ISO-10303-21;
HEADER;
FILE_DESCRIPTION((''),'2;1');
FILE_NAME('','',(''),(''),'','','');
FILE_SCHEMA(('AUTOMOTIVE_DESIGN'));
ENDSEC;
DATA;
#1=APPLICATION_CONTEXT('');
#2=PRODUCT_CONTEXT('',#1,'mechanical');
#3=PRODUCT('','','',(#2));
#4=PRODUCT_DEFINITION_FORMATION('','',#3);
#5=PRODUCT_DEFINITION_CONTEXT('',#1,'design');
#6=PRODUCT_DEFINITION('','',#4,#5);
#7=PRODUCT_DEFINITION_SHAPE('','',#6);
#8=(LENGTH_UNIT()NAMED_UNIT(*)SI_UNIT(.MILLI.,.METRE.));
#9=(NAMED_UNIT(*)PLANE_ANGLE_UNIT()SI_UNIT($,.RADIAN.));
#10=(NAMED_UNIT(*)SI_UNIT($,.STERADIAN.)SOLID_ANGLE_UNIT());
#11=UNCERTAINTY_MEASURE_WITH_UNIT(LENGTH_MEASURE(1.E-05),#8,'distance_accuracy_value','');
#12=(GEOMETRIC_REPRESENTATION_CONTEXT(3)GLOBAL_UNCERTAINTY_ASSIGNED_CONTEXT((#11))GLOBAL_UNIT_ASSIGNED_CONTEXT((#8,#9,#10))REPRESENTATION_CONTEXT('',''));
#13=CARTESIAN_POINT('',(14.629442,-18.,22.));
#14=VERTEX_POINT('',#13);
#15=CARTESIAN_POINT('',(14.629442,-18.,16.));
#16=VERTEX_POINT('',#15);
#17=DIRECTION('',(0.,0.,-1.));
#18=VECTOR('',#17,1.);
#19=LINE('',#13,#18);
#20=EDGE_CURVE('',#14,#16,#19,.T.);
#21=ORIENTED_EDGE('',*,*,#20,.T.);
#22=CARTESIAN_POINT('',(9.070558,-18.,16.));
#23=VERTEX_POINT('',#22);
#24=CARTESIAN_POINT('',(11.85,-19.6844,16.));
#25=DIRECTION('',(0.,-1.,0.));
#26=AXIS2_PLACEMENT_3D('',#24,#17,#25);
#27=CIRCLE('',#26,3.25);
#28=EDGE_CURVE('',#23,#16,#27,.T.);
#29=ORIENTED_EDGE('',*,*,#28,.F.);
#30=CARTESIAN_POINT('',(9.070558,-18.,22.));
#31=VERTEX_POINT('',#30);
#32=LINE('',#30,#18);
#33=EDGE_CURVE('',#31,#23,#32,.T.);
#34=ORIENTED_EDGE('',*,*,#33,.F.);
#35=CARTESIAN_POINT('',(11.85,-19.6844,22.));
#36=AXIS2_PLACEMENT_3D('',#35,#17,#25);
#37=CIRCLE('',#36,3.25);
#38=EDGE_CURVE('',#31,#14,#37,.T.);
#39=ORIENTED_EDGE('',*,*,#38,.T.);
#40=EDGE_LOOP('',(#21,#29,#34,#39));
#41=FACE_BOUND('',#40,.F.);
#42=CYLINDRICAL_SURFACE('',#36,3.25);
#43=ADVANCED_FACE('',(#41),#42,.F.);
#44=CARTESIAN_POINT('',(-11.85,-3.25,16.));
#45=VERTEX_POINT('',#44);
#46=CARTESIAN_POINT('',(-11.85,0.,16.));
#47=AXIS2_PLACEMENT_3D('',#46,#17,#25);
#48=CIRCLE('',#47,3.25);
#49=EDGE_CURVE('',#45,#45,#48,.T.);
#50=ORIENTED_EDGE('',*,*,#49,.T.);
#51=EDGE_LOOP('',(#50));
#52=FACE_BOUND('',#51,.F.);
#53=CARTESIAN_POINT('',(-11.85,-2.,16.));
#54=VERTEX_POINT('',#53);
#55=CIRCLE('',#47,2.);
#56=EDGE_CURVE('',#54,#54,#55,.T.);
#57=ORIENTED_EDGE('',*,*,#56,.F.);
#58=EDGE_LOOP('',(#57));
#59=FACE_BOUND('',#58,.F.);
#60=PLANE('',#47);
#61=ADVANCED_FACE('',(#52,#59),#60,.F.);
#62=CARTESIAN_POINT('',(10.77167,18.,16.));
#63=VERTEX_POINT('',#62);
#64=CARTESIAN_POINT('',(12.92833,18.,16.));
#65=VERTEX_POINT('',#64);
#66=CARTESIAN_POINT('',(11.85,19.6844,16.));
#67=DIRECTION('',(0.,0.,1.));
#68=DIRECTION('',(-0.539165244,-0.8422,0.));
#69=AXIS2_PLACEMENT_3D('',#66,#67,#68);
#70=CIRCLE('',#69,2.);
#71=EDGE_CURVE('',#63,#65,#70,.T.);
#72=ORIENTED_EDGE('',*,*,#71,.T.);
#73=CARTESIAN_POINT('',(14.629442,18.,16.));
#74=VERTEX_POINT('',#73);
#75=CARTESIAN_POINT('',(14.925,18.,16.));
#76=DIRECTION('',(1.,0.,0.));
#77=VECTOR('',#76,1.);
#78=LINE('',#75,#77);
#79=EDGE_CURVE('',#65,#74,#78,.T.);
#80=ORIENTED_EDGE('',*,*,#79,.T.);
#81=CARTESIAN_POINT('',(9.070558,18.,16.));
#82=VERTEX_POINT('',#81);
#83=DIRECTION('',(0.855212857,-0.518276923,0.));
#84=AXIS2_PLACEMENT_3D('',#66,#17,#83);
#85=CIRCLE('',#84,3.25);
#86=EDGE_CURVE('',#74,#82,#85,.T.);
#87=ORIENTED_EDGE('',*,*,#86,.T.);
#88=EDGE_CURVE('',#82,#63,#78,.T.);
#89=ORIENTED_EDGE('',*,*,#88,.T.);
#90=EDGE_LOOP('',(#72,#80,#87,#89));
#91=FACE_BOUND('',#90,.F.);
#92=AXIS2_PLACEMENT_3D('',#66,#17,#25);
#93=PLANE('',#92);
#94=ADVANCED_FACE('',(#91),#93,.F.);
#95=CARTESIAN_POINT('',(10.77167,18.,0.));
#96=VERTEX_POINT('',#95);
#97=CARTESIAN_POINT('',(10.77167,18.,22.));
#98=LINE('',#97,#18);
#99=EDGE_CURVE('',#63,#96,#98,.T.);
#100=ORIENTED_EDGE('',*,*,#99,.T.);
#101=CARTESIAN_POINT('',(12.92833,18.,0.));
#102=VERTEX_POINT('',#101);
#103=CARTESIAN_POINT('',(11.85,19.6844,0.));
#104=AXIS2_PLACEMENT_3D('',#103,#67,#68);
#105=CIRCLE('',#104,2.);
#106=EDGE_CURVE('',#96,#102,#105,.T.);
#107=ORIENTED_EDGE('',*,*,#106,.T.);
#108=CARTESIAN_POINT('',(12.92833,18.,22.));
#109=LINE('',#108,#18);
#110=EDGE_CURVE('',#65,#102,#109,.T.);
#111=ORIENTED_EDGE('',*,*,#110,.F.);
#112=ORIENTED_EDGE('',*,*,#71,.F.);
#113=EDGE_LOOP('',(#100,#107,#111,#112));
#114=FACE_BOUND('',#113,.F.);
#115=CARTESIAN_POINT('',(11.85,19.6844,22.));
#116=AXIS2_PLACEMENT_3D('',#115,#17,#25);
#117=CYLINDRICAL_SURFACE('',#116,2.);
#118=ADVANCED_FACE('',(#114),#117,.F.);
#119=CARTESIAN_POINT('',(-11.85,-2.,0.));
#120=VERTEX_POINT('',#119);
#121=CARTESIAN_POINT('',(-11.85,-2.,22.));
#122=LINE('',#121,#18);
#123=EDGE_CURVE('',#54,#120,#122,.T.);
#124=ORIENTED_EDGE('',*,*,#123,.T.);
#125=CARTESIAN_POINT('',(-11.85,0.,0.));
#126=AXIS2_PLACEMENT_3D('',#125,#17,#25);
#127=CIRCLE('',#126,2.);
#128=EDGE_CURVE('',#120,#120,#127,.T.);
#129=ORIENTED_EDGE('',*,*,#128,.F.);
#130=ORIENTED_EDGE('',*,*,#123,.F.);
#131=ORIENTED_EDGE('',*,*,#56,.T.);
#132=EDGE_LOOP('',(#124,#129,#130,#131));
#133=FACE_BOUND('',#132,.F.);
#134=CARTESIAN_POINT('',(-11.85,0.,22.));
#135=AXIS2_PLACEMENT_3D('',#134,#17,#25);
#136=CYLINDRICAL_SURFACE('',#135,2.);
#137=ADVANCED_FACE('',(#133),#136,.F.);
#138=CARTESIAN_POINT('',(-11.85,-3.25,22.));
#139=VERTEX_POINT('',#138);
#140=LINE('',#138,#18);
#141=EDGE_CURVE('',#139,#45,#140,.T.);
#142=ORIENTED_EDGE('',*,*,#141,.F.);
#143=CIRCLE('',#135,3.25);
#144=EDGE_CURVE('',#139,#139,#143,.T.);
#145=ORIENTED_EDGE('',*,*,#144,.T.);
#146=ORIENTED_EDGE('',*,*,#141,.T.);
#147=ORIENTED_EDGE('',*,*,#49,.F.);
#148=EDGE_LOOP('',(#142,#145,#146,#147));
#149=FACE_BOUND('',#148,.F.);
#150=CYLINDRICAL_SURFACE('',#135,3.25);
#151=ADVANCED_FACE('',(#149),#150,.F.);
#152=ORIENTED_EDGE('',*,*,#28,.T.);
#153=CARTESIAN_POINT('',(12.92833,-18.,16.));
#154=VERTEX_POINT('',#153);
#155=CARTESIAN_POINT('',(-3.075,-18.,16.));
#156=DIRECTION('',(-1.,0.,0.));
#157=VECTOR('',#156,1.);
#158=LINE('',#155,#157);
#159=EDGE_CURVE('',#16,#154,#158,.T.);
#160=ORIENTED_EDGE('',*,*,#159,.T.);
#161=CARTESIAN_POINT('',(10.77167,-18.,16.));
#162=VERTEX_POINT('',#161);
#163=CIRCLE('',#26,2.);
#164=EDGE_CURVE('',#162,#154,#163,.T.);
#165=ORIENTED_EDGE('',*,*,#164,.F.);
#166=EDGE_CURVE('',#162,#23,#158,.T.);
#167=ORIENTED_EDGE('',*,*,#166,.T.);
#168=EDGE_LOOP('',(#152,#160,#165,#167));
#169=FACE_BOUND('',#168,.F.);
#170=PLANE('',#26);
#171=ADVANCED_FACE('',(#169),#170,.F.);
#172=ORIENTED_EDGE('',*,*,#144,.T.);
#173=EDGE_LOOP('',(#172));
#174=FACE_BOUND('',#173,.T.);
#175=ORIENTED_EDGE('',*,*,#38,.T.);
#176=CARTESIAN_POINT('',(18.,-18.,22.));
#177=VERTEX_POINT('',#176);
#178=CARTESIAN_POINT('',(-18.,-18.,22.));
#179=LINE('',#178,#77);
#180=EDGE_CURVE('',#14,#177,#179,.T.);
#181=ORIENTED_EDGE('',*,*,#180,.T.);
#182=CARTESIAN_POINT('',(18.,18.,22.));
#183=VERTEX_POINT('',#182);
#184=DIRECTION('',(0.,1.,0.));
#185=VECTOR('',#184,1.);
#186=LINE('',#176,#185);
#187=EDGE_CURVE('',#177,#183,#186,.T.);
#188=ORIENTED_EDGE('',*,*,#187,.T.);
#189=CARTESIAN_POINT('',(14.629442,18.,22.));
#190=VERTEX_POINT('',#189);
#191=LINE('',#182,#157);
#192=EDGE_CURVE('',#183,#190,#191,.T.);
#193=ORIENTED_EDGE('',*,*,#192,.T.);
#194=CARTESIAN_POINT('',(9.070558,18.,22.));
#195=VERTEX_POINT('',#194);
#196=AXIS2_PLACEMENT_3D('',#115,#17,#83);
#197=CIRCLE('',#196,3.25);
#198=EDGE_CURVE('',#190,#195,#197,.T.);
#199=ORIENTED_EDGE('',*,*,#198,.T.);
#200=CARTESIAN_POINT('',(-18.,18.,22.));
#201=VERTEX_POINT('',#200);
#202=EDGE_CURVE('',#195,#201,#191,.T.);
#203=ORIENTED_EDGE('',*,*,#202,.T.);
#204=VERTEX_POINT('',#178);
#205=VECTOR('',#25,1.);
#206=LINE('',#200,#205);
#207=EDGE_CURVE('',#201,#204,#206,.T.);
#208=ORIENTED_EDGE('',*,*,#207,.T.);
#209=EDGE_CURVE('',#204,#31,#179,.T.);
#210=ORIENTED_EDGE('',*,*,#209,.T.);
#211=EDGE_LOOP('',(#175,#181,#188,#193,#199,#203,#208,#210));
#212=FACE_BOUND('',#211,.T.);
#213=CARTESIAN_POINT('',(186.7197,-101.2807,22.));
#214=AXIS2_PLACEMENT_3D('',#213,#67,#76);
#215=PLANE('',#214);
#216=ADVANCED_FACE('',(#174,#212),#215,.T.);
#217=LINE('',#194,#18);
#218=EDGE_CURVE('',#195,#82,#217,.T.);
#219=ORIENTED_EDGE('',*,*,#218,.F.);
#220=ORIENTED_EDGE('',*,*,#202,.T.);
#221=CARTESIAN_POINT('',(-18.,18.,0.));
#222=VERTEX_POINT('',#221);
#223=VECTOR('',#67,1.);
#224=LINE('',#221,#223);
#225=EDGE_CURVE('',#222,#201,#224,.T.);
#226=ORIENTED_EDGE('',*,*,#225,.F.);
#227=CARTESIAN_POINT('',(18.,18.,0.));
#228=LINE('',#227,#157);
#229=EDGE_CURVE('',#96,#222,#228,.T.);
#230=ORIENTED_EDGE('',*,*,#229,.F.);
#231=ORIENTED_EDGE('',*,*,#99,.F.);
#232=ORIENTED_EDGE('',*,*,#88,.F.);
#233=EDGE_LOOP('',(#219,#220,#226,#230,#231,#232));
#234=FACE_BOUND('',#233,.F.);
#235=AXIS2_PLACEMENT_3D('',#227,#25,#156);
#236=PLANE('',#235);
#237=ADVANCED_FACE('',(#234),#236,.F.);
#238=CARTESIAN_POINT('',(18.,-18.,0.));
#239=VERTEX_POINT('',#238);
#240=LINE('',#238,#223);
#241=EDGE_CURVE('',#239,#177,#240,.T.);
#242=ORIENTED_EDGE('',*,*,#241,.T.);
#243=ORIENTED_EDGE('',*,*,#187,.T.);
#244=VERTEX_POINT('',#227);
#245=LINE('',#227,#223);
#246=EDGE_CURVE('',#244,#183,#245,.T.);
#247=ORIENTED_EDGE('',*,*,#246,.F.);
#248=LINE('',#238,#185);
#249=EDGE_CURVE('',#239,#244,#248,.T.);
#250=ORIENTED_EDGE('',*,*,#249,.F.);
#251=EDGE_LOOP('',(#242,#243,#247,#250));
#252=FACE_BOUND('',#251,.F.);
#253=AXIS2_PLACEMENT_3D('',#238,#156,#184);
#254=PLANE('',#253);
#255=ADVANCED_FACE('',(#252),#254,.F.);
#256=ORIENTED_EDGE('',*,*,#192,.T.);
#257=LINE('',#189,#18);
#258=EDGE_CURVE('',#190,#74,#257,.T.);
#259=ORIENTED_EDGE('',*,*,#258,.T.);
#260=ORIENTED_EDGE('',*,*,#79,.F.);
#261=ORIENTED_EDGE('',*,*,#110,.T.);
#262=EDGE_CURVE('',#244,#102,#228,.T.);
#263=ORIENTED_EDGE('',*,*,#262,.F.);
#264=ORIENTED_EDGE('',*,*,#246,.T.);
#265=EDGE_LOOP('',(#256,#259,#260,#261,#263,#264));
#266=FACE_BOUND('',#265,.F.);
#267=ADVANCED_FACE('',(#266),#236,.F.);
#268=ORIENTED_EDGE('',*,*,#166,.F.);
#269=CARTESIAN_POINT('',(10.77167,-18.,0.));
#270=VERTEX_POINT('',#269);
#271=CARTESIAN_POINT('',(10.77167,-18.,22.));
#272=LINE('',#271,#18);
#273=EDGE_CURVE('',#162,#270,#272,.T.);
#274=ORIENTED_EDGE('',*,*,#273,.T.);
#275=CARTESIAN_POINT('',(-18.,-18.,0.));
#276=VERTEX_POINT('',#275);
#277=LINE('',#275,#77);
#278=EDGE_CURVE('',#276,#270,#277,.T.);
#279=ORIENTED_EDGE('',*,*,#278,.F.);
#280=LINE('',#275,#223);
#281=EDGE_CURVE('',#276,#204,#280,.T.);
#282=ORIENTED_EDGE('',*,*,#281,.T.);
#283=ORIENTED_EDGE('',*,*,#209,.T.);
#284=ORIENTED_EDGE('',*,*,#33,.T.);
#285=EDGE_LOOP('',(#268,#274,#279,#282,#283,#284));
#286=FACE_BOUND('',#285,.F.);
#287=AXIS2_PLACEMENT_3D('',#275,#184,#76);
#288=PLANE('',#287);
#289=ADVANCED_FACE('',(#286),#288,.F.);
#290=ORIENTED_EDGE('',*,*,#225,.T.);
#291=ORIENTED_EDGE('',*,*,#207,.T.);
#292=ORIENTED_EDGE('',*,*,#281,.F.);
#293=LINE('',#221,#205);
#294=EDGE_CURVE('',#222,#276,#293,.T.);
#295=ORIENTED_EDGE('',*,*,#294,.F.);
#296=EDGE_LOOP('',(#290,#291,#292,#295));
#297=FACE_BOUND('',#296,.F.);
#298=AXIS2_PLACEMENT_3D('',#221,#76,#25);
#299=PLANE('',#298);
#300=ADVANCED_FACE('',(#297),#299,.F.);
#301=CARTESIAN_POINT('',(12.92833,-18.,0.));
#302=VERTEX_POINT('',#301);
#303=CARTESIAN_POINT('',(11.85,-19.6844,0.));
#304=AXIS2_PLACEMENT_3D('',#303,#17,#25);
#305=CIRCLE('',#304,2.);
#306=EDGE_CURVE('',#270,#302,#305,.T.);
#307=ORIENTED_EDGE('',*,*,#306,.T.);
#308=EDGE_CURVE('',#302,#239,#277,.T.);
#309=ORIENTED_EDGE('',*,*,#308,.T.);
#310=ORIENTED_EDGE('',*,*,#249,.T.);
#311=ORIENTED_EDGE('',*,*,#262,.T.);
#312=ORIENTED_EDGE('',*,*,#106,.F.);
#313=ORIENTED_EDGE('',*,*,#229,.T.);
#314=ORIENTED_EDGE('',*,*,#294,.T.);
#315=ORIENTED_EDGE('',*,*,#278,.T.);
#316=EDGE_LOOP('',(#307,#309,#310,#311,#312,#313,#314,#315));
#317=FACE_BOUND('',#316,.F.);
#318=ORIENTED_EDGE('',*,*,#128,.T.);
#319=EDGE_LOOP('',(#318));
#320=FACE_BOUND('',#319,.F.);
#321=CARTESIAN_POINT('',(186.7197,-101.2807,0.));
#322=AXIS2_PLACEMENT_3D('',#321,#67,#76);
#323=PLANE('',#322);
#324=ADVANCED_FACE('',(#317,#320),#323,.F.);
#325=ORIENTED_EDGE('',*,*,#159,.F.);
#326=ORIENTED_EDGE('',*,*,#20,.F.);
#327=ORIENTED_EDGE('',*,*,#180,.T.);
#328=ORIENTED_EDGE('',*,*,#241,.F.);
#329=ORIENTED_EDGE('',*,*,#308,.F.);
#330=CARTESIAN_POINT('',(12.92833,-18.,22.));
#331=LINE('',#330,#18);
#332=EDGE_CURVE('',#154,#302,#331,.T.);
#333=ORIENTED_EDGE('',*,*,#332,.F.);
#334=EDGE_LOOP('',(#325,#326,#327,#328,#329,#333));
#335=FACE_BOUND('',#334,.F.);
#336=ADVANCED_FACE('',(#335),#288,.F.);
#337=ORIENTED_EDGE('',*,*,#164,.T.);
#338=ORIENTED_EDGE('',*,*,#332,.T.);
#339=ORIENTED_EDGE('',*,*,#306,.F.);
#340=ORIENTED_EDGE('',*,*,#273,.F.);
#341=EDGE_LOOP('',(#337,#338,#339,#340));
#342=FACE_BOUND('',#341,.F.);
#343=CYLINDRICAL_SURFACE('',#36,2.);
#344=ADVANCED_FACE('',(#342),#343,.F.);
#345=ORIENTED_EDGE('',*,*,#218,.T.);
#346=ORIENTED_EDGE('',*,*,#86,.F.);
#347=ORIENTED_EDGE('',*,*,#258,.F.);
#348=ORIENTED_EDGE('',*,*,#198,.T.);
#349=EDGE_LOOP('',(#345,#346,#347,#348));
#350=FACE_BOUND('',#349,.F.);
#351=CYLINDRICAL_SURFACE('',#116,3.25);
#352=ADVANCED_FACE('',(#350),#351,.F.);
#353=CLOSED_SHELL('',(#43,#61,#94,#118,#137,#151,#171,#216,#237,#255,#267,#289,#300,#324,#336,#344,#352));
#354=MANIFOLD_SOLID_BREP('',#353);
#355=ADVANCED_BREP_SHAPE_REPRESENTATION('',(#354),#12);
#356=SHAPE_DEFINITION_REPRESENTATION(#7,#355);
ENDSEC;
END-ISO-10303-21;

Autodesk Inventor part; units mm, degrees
ref_plane "YZ Plane" through (0, 0, 0) normal (1, 0, 0) x (0, 1, 0)
ref_plane "XZ Plane" through (0, 0, 0) normal (0, 1, 0) x (-1, 0, 0)
ref_plane "XY Plane" through (0, 0, 0) normal (0, 0, 1) x (1, 0, 0)
ref_plane "Work Plane1" through (186.7197, -101.2807, 0) normal (0, 0, 1) x (1, 0, 0)
sketch "Sketch1" plane through (186.7197, -101.2807, 0) normal (0, 0, 1) x (1, 0, 0)
  line L0 (-168.7197, 119.2807) -> (-204.7197, 119.2807)
  line L1 (-204.7197, 119.2807) -> (-204.7197, 83.2807)
  line L2 (-204.7197, 83.2807) -> (-168.7197, 83.2807)
  line L3 (-168.7197, 83.2807) -> (-168.7197, 119.2807)
  point P0 (-186.7197, 101.2807)
  point P1 (-168.7197, 101.2807)
  point P2 (-186.7197, 83.2807)
  point P3 (-204.7197, 101.2807)
  dimension "d0" = 36
  dimension "d1" = 36
  dimension "d8" = 0
  dimension "d9" = 0
extrude "Extrusion1" add sketch "Sketch1" along normal blind 22
sketch "Sketch3" plane through (186.7197, -101.2807, 22) normal (0, 0, 1) x (1, 0, 0)
  circle A0 centre (-174.8697, 120.9651) radius 3.25
  circle A1 centre (-198.5697, 101.2807) radius 3.25
  line L0 (-211.9197, 101.2807) -> (-161.5197, 101.2807) projected
  circle A2 centre (-174.8697, 81.5964) radius 3.25
  line L1 (-174.8697, 120.9651) -> (-168.7197, 120.9651)
  line L2 (-168.7197, 83.2807) -> (-168.7197, 119.2807) projected
  line L3 (-198.5697, 101.2807) -> (-204.7197, 101.2807)
  line L4 (-204.7197, 119.2807) -> (-204.7197, 83.2807) projected
  point P0 (-186.7197, 101.2807)
  dimension "d10" = 6.5
  dimension "d11" = 6.5
  dimension "d12" = 23.7
hole "Hole1" at (11.85, -19.6844, 22) at (11.85, 19.6844, 22) at (-11.85, 0, 22) direction (0, 0, -1) diameter 6.5 depth 6
hole "Hole2" at (-11.85, 0, 22) at (11.85, -19.6844, 22) at (11.85, 19.6844, 22) direction (0, 0, -1) diameter 4 end through all
equation "\"d1\" = d0"
equation "\"d11\" = d10"
properties part number "Camera_mount"
